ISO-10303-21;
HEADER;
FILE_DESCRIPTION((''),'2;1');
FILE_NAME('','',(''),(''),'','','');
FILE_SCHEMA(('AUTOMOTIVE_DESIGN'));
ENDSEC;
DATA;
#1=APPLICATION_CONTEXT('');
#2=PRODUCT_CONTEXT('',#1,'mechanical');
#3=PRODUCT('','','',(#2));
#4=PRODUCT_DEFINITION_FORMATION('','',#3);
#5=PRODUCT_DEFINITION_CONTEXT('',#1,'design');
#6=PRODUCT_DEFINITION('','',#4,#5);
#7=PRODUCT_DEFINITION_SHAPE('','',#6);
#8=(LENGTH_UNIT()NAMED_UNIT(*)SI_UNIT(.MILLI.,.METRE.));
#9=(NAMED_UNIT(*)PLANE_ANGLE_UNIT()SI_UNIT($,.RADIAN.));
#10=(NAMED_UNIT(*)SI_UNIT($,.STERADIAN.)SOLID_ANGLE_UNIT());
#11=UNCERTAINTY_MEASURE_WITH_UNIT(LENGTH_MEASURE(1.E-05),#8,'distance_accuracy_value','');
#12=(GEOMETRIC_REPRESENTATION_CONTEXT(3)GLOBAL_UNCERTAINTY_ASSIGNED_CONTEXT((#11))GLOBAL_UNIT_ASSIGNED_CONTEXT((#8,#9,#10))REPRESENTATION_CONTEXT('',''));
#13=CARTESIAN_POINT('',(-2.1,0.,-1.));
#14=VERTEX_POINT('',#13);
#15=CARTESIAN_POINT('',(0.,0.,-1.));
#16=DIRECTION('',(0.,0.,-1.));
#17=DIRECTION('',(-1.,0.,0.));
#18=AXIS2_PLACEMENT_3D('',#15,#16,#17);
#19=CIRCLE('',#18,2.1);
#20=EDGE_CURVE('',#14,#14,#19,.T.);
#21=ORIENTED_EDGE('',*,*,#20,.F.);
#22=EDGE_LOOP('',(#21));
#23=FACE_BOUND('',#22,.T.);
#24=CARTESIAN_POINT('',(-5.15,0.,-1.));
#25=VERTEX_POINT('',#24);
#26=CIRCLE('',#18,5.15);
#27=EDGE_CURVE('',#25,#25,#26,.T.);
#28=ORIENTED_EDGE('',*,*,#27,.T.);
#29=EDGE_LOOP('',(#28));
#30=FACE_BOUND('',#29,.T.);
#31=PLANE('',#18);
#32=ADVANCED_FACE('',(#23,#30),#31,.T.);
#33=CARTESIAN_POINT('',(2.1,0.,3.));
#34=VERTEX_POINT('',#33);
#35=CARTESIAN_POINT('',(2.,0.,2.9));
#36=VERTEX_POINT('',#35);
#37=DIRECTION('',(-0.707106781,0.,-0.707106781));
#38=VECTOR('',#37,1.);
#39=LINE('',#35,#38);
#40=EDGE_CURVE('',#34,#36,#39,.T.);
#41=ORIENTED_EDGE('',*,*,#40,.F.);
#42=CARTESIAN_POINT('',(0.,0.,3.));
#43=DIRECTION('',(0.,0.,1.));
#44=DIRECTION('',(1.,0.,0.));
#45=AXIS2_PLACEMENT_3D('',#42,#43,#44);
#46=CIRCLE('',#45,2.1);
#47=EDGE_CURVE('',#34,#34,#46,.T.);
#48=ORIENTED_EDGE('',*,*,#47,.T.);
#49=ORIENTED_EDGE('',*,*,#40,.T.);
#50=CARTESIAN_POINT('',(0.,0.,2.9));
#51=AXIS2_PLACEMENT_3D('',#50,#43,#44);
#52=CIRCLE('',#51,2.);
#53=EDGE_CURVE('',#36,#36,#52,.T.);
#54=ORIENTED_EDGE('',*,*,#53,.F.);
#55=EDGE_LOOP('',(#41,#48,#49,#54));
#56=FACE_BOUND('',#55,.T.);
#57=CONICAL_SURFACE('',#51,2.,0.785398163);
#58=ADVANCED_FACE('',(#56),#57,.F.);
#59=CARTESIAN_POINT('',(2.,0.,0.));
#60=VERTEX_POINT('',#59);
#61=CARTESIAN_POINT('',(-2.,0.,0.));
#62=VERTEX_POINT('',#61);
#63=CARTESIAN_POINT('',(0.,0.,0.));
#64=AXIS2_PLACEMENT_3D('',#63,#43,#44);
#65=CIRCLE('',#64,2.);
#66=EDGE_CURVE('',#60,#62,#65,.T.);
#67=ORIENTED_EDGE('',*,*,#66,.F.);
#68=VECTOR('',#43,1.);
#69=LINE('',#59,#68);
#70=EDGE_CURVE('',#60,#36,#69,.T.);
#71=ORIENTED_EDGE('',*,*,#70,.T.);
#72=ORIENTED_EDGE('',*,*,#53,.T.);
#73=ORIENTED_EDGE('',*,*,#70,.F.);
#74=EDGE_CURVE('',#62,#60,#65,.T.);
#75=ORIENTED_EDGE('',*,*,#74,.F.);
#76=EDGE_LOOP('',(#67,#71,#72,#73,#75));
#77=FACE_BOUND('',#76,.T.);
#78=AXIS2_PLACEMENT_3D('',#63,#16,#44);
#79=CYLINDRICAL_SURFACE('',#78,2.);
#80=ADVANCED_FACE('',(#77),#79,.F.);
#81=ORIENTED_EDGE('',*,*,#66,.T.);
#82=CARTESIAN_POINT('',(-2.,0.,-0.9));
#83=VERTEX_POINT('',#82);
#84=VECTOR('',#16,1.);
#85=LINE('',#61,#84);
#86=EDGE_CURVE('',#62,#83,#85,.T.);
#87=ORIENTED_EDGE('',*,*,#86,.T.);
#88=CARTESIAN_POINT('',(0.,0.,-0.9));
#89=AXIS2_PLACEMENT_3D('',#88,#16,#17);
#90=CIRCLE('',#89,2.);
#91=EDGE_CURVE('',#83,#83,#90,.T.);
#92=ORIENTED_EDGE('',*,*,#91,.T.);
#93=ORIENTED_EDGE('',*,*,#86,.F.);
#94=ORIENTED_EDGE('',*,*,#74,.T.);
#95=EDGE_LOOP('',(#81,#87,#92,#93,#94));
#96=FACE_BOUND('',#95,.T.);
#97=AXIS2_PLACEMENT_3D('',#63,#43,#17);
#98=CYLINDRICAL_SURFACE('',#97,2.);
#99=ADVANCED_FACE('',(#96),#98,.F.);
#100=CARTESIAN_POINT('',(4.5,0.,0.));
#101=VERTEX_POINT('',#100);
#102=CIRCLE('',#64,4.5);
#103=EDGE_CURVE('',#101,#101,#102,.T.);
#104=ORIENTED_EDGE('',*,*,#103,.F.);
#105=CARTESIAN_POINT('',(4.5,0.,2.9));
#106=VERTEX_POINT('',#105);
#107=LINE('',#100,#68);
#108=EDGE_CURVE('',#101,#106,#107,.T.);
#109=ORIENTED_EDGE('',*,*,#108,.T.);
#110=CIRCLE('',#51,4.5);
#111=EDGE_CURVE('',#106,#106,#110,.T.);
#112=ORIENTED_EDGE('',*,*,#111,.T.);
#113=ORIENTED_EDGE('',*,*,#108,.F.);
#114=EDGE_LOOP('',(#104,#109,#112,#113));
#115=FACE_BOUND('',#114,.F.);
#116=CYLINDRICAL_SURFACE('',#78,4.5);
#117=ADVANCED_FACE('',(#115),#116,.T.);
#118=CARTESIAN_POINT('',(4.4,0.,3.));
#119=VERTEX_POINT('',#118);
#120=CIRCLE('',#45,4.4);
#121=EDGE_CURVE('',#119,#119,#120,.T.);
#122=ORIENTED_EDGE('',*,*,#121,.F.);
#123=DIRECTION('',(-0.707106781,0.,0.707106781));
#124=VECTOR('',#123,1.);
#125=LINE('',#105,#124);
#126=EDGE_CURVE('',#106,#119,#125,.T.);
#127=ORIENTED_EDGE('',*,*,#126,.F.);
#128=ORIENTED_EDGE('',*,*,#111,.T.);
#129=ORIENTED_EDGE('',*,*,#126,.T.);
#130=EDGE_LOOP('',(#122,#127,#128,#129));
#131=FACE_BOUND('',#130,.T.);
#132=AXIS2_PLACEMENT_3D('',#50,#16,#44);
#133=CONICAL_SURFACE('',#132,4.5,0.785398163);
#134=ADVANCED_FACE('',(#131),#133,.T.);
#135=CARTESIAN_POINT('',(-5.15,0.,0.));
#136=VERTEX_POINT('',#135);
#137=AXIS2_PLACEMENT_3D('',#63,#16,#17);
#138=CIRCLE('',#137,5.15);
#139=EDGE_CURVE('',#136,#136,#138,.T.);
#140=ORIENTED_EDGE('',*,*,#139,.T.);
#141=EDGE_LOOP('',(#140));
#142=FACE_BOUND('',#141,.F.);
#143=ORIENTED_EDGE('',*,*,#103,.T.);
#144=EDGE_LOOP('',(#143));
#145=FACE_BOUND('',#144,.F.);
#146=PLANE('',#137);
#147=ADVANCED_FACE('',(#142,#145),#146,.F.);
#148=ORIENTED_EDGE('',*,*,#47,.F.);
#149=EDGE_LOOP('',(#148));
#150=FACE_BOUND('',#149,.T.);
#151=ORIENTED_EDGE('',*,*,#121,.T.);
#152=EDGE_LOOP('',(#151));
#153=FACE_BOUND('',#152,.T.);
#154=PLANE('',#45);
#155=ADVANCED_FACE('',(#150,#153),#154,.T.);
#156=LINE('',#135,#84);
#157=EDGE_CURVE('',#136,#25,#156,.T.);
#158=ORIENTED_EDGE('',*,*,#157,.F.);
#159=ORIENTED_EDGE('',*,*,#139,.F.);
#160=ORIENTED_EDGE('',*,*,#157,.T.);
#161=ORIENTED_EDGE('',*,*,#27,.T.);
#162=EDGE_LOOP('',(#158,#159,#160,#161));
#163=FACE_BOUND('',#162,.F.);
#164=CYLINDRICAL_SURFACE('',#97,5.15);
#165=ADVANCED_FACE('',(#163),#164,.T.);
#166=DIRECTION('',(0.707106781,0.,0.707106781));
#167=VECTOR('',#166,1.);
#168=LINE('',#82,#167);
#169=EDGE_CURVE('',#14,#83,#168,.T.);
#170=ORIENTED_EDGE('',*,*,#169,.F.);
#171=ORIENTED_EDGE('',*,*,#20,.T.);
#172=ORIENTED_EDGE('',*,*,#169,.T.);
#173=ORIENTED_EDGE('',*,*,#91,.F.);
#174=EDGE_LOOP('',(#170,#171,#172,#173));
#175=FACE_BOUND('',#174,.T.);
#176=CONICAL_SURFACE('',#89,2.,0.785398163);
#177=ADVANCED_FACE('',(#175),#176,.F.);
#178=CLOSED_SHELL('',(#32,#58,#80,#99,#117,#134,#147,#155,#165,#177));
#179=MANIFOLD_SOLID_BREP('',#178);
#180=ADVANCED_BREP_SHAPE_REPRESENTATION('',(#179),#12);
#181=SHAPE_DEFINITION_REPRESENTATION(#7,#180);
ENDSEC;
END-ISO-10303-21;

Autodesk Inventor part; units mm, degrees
ref_plane "YZ Plane" through (0, 0, 0) normal (1, 0, 0) x (0, 1, 0)
ref_plane "XZ Plane" through (0, 0, 0) normal (0, 1, 0) x (-1, 0, 0)
ref_plane "XY Plane" through (0, 0, 0) normal (0, 0, 1) x (1, 0, 0)
sketch "スケッチ1" plane through (0, 0, 0) normal (0, 0, 1) x (1, 0, 0)
  circle A0 centre (0, 0) radius 2
  circle A1 centre (0, 0) radius 4.5
  dimension "d0" = 4
  dimension "d1" = 9
extrude "押し出し1" add sketch "スケッチ1" along normal blind 3
sketch "スケッチ2" plane through (0, 0, 0) normal (0, 0, -1) x (-1, 0, 0)
  circle A0 centre (0, 0) radius 2
  circle A1 centre (0, 0) radius 5.15
  dimension "d4" = 4
  dimension "d5" = 10.3
extrude "押し出し2" add sketch "スケッチ2" along normal blind 1
chamfer "面取り1" distance 0.1 angle 45 3 edges at (-4.5, 0, 3) (-2, 0, 3) (2, 0, -1)
properties part number "ベアリング　4.9" material "ステンレス鋼"
